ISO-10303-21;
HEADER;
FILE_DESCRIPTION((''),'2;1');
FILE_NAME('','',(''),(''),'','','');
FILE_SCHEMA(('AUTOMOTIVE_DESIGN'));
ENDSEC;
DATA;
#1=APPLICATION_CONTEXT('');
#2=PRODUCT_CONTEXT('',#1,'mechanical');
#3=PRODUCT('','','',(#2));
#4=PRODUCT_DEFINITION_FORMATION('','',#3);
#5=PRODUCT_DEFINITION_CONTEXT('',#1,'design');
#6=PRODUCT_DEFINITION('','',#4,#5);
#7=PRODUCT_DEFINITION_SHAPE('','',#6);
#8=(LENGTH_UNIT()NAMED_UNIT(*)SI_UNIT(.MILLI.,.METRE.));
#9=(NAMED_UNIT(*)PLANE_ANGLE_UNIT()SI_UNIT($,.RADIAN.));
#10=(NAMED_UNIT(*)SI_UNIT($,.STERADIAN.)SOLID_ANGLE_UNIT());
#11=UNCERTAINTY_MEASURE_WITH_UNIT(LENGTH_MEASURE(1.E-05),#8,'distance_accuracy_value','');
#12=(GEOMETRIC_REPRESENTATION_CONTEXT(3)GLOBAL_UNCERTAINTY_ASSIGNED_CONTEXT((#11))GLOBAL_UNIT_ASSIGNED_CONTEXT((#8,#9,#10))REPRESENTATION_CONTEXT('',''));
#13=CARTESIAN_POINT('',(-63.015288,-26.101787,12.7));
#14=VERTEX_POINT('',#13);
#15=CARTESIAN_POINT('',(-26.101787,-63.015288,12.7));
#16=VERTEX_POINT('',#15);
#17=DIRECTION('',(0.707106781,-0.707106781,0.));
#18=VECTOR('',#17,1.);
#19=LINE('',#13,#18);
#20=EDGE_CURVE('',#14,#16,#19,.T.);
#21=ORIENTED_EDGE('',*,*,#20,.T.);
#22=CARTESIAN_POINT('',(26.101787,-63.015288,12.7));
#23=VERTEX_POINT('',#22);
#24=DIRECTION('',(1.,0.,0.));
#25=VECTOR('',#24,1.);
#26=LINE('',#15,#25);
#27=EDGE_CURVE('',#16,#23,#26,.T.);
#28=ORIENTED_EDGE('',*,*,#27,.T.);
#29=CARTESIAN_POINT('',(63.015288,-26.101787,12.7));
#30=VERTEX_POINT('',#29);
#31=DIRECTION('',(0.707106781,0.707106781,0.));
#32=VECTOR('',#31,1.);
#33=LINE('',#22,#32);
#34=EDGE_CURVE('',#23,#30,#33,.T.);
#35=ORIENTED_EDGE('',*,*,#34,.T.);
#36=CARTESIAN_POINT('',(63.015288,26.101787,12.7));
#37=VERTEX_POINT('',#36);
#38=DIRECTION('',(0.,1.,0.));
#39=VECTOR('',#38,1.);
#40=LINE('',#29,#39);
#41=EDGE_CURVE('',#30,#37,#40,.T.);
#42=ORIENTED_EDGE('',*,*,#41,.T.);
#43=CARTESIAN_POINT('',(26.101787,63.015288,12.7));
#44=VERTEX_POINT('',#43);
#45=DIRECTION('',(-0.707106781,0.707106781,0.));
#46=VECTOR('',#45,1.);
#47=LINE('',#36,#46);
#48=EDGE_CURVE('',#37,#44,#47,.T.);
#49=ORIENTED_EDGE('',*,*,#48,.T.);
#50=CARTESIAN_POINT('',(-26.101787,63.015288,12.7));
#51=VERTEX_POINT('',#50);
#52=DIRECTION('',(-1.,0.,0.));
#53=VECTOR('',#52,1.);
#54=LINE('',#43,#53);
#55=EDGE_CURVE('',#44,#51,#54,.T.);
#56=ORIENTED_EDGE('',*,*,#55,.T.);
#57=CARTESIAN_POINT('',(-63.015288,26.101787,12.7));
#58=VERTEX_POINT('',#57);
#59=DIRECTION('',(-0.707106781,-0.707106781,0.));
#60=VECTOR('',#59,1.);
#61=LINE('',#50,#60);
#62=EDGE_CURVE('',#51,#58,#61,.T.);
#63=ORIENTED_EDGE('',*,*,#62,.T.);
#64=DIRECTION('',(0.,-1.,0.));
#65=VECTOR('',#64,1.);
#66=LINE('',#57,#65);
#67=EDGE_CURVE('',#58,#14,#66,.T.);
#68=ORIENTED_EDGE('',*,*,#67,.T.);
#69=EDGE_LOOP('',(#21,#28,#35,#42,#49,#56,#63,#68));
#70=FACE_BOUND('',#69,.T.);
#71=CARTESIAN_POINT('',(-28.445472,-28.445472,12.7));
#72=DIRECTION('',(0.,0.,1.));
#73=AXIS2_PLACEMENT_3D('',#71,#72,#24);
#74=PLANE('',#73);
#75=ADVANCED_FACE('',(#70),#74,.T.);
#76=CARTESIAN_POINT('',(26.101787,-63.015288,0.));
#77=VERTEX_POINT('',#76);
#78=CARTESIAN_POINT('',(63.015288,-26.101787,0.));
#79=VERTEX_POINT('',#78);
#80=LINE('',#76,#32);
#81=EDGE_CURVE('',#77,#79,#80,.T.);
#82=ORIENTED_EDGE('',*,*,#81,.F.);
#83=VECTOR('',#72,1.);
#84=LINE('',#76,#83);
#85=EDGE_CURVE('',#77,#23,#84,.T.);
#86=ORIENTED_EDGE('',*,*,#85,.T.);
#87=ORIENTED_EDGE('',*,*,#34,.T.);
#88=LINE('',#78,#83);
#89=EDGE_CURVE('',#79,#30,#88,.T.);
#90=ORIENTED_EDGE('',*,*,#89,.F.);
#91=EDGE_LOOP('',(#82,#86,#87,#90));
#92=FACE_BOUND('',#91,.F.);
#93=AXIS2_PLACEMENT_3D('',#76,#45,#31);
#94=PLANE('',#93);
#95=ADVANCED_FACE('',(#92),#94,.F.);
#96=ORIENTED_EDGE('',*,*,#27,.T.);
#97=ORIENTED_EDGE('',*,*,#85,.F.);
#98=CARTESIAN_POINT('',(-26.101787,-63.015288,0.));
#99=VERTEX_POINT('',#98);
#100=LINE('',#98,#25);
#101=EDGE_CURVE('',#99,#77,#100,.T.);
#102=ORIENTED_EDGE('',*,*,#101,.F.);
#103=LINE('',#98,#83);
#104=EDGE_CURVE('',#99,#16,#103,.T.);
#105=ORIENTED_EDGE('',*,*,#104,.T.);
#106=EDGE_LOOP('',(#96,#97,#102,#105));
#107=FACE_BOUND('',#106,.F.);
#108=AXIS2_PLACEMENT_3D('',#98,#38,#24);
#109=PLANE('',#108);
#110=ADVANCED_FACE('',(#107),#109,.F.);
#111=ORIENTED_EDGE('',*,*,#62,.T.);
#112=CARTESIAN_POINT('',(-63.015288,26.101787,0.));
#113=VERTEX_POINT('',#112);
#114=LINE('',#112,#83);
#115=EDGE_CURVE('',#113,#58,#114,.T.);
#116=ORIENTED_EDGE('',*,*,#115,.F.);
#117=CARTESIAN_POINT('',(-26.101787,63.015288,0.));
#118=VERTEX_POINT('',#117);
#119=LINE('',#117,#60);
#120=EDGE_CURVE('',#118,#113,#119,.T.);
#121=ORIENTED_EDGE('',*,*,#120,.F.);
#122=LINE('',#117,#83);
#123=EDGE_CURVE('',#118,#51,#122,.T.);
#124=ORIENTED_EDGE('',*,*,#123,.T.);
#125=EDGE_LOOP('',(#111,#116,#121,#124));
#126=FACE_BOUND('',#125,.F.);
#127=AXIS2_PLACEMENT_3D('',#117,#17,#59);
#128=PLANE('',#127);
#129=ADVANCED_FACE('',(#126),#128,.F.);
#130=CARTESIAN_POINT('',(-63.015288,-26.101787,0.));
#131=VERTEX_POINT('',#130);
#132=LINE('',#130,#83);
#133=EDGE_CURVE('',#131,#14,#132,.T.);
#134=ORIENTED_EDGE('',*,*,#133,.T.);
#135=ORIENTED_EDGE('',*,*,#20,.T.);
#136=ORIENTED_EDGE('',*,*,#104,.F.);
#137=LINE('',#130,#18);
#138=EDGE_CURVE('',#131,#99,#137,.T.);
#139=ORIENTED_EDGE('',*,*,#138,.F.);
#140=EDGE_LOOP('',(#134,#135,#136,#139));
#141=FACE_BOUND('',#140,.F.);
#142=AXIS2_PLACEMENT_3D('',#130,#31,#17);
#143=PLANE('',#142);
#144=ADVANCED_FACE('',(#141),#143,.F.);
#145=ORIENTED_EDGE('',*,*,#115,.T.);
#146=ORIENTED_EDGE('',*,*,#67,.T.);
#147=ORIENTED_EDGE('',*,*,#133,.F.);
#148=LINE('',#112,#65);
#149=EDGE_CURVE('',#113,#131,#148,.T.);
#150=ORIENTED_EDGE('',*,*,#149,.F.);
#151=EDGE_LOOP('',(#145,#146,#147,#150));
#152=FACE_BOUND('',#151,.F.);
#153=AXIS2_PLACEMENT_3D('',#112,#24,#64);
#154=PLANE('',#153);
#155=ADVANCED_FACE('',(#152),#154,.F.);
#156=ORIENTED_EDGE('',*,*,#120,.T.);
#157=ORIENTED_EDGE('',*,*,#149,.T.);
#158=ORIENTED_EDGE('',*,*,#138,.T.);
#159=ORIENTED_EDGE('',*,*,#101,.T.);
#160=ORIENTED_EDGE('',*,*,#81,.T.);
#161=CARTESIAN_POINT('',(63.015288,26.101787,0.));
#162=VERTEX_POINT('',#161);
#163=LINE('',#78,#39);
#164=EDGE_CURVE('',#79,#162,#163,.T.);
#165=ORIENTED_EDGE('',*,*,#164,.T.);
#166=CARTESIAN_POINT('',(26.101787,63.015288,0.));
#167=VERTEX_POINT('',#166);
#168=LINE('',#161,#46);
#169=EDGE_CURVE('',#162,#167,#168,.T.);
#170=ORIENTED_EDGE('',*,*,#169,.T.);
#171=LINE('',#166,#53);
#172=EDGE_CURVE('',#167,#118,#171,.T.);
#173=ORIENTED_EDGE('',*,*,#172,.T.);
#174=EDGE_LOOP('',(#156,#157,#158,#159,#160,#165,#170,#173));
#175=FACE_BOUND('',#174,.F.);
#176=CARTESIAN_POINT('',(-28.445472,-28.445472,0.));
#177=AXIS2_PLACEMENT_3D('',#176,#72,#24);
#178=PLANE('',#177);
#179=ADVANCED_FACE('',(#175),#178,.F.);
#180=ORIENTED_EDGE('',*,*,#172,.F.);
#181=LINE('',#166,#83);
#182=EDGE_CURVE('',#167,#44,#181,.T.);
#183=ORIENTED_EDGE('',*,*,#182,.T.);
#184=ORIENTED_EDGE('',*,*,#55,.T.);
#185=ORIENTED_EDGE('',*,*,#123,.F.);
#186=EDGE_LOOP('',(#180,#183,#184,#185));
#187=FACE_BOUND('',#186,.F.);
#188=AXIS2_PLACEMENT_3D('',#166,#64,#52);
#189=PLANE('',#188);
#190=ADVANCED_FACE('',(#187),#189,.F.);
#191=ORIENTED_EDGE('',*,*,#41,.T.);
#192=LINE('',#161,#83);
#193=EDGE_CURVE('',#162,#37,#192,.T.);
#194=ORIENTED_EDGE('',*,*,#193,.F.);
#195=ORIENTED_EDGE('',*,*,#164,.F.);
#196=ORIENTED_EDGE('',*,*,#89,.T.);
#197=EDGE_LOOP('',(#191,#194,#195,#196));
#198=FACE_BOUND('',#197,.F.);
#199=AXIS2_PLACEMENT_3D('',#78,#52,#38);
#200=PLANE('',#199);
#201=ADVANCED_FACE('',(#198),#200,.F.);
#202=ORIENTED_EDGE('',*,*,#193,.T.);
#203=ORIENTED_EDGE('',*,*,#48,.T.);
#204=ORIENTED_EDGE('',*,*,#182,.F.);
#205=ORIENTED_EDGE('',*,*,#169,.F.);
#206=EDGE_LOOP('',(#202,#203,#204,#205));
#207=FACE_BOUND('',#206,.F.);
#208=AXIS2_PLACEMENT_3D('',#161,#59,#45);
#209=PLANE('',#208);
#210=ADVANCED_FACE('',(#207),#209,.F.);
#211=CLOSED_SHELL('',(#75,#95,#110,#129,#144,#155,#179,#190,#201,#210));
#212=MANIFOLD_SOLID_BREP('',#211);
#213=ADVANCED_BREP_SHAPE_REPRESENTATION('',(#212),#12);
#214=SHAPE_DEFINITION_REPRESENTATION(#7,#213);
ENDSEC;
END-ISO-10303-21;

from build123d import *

# Parameters (mm, degrees)
F1_DEPTH = 12.7


with BuildPart() as f1:
    # F0 (on Top) → F1 (new body)
    with BuildSketch(Plane.XY):
        Polygon((-26.101787, -63.015288), (0, 0), (-63.015288, -26.101787), align=None)
        Polygon((26.101787, 63.015288), (-26.101787, 63.015288), (0, 0), align=None)
        Polygon((63.015288, 26.101787), (26.101787, 63.015288), (0, 0), align=None)
        Polygon((63.015288, 26.101787), (0, 0), (63.015288, -26.101787), align=None)
        Polygon((63.015288, -26.101787), (0, 0), (26.101787, -63.015288), align=None)
        Polygon((26.101787, -63.015288), (0, 0), (-26.101787, -63.015288), align=None)
        Polygon((0, 0), (-63.015288, 26.101787), (-63.015288, -26.101787), align=None)
        Polygon((0, 0), (-26.101787, 63.015288), (-63.015288, 26.101787), align=None)
    extrude(amount=F1_DEPTH)


solid = f1.part
